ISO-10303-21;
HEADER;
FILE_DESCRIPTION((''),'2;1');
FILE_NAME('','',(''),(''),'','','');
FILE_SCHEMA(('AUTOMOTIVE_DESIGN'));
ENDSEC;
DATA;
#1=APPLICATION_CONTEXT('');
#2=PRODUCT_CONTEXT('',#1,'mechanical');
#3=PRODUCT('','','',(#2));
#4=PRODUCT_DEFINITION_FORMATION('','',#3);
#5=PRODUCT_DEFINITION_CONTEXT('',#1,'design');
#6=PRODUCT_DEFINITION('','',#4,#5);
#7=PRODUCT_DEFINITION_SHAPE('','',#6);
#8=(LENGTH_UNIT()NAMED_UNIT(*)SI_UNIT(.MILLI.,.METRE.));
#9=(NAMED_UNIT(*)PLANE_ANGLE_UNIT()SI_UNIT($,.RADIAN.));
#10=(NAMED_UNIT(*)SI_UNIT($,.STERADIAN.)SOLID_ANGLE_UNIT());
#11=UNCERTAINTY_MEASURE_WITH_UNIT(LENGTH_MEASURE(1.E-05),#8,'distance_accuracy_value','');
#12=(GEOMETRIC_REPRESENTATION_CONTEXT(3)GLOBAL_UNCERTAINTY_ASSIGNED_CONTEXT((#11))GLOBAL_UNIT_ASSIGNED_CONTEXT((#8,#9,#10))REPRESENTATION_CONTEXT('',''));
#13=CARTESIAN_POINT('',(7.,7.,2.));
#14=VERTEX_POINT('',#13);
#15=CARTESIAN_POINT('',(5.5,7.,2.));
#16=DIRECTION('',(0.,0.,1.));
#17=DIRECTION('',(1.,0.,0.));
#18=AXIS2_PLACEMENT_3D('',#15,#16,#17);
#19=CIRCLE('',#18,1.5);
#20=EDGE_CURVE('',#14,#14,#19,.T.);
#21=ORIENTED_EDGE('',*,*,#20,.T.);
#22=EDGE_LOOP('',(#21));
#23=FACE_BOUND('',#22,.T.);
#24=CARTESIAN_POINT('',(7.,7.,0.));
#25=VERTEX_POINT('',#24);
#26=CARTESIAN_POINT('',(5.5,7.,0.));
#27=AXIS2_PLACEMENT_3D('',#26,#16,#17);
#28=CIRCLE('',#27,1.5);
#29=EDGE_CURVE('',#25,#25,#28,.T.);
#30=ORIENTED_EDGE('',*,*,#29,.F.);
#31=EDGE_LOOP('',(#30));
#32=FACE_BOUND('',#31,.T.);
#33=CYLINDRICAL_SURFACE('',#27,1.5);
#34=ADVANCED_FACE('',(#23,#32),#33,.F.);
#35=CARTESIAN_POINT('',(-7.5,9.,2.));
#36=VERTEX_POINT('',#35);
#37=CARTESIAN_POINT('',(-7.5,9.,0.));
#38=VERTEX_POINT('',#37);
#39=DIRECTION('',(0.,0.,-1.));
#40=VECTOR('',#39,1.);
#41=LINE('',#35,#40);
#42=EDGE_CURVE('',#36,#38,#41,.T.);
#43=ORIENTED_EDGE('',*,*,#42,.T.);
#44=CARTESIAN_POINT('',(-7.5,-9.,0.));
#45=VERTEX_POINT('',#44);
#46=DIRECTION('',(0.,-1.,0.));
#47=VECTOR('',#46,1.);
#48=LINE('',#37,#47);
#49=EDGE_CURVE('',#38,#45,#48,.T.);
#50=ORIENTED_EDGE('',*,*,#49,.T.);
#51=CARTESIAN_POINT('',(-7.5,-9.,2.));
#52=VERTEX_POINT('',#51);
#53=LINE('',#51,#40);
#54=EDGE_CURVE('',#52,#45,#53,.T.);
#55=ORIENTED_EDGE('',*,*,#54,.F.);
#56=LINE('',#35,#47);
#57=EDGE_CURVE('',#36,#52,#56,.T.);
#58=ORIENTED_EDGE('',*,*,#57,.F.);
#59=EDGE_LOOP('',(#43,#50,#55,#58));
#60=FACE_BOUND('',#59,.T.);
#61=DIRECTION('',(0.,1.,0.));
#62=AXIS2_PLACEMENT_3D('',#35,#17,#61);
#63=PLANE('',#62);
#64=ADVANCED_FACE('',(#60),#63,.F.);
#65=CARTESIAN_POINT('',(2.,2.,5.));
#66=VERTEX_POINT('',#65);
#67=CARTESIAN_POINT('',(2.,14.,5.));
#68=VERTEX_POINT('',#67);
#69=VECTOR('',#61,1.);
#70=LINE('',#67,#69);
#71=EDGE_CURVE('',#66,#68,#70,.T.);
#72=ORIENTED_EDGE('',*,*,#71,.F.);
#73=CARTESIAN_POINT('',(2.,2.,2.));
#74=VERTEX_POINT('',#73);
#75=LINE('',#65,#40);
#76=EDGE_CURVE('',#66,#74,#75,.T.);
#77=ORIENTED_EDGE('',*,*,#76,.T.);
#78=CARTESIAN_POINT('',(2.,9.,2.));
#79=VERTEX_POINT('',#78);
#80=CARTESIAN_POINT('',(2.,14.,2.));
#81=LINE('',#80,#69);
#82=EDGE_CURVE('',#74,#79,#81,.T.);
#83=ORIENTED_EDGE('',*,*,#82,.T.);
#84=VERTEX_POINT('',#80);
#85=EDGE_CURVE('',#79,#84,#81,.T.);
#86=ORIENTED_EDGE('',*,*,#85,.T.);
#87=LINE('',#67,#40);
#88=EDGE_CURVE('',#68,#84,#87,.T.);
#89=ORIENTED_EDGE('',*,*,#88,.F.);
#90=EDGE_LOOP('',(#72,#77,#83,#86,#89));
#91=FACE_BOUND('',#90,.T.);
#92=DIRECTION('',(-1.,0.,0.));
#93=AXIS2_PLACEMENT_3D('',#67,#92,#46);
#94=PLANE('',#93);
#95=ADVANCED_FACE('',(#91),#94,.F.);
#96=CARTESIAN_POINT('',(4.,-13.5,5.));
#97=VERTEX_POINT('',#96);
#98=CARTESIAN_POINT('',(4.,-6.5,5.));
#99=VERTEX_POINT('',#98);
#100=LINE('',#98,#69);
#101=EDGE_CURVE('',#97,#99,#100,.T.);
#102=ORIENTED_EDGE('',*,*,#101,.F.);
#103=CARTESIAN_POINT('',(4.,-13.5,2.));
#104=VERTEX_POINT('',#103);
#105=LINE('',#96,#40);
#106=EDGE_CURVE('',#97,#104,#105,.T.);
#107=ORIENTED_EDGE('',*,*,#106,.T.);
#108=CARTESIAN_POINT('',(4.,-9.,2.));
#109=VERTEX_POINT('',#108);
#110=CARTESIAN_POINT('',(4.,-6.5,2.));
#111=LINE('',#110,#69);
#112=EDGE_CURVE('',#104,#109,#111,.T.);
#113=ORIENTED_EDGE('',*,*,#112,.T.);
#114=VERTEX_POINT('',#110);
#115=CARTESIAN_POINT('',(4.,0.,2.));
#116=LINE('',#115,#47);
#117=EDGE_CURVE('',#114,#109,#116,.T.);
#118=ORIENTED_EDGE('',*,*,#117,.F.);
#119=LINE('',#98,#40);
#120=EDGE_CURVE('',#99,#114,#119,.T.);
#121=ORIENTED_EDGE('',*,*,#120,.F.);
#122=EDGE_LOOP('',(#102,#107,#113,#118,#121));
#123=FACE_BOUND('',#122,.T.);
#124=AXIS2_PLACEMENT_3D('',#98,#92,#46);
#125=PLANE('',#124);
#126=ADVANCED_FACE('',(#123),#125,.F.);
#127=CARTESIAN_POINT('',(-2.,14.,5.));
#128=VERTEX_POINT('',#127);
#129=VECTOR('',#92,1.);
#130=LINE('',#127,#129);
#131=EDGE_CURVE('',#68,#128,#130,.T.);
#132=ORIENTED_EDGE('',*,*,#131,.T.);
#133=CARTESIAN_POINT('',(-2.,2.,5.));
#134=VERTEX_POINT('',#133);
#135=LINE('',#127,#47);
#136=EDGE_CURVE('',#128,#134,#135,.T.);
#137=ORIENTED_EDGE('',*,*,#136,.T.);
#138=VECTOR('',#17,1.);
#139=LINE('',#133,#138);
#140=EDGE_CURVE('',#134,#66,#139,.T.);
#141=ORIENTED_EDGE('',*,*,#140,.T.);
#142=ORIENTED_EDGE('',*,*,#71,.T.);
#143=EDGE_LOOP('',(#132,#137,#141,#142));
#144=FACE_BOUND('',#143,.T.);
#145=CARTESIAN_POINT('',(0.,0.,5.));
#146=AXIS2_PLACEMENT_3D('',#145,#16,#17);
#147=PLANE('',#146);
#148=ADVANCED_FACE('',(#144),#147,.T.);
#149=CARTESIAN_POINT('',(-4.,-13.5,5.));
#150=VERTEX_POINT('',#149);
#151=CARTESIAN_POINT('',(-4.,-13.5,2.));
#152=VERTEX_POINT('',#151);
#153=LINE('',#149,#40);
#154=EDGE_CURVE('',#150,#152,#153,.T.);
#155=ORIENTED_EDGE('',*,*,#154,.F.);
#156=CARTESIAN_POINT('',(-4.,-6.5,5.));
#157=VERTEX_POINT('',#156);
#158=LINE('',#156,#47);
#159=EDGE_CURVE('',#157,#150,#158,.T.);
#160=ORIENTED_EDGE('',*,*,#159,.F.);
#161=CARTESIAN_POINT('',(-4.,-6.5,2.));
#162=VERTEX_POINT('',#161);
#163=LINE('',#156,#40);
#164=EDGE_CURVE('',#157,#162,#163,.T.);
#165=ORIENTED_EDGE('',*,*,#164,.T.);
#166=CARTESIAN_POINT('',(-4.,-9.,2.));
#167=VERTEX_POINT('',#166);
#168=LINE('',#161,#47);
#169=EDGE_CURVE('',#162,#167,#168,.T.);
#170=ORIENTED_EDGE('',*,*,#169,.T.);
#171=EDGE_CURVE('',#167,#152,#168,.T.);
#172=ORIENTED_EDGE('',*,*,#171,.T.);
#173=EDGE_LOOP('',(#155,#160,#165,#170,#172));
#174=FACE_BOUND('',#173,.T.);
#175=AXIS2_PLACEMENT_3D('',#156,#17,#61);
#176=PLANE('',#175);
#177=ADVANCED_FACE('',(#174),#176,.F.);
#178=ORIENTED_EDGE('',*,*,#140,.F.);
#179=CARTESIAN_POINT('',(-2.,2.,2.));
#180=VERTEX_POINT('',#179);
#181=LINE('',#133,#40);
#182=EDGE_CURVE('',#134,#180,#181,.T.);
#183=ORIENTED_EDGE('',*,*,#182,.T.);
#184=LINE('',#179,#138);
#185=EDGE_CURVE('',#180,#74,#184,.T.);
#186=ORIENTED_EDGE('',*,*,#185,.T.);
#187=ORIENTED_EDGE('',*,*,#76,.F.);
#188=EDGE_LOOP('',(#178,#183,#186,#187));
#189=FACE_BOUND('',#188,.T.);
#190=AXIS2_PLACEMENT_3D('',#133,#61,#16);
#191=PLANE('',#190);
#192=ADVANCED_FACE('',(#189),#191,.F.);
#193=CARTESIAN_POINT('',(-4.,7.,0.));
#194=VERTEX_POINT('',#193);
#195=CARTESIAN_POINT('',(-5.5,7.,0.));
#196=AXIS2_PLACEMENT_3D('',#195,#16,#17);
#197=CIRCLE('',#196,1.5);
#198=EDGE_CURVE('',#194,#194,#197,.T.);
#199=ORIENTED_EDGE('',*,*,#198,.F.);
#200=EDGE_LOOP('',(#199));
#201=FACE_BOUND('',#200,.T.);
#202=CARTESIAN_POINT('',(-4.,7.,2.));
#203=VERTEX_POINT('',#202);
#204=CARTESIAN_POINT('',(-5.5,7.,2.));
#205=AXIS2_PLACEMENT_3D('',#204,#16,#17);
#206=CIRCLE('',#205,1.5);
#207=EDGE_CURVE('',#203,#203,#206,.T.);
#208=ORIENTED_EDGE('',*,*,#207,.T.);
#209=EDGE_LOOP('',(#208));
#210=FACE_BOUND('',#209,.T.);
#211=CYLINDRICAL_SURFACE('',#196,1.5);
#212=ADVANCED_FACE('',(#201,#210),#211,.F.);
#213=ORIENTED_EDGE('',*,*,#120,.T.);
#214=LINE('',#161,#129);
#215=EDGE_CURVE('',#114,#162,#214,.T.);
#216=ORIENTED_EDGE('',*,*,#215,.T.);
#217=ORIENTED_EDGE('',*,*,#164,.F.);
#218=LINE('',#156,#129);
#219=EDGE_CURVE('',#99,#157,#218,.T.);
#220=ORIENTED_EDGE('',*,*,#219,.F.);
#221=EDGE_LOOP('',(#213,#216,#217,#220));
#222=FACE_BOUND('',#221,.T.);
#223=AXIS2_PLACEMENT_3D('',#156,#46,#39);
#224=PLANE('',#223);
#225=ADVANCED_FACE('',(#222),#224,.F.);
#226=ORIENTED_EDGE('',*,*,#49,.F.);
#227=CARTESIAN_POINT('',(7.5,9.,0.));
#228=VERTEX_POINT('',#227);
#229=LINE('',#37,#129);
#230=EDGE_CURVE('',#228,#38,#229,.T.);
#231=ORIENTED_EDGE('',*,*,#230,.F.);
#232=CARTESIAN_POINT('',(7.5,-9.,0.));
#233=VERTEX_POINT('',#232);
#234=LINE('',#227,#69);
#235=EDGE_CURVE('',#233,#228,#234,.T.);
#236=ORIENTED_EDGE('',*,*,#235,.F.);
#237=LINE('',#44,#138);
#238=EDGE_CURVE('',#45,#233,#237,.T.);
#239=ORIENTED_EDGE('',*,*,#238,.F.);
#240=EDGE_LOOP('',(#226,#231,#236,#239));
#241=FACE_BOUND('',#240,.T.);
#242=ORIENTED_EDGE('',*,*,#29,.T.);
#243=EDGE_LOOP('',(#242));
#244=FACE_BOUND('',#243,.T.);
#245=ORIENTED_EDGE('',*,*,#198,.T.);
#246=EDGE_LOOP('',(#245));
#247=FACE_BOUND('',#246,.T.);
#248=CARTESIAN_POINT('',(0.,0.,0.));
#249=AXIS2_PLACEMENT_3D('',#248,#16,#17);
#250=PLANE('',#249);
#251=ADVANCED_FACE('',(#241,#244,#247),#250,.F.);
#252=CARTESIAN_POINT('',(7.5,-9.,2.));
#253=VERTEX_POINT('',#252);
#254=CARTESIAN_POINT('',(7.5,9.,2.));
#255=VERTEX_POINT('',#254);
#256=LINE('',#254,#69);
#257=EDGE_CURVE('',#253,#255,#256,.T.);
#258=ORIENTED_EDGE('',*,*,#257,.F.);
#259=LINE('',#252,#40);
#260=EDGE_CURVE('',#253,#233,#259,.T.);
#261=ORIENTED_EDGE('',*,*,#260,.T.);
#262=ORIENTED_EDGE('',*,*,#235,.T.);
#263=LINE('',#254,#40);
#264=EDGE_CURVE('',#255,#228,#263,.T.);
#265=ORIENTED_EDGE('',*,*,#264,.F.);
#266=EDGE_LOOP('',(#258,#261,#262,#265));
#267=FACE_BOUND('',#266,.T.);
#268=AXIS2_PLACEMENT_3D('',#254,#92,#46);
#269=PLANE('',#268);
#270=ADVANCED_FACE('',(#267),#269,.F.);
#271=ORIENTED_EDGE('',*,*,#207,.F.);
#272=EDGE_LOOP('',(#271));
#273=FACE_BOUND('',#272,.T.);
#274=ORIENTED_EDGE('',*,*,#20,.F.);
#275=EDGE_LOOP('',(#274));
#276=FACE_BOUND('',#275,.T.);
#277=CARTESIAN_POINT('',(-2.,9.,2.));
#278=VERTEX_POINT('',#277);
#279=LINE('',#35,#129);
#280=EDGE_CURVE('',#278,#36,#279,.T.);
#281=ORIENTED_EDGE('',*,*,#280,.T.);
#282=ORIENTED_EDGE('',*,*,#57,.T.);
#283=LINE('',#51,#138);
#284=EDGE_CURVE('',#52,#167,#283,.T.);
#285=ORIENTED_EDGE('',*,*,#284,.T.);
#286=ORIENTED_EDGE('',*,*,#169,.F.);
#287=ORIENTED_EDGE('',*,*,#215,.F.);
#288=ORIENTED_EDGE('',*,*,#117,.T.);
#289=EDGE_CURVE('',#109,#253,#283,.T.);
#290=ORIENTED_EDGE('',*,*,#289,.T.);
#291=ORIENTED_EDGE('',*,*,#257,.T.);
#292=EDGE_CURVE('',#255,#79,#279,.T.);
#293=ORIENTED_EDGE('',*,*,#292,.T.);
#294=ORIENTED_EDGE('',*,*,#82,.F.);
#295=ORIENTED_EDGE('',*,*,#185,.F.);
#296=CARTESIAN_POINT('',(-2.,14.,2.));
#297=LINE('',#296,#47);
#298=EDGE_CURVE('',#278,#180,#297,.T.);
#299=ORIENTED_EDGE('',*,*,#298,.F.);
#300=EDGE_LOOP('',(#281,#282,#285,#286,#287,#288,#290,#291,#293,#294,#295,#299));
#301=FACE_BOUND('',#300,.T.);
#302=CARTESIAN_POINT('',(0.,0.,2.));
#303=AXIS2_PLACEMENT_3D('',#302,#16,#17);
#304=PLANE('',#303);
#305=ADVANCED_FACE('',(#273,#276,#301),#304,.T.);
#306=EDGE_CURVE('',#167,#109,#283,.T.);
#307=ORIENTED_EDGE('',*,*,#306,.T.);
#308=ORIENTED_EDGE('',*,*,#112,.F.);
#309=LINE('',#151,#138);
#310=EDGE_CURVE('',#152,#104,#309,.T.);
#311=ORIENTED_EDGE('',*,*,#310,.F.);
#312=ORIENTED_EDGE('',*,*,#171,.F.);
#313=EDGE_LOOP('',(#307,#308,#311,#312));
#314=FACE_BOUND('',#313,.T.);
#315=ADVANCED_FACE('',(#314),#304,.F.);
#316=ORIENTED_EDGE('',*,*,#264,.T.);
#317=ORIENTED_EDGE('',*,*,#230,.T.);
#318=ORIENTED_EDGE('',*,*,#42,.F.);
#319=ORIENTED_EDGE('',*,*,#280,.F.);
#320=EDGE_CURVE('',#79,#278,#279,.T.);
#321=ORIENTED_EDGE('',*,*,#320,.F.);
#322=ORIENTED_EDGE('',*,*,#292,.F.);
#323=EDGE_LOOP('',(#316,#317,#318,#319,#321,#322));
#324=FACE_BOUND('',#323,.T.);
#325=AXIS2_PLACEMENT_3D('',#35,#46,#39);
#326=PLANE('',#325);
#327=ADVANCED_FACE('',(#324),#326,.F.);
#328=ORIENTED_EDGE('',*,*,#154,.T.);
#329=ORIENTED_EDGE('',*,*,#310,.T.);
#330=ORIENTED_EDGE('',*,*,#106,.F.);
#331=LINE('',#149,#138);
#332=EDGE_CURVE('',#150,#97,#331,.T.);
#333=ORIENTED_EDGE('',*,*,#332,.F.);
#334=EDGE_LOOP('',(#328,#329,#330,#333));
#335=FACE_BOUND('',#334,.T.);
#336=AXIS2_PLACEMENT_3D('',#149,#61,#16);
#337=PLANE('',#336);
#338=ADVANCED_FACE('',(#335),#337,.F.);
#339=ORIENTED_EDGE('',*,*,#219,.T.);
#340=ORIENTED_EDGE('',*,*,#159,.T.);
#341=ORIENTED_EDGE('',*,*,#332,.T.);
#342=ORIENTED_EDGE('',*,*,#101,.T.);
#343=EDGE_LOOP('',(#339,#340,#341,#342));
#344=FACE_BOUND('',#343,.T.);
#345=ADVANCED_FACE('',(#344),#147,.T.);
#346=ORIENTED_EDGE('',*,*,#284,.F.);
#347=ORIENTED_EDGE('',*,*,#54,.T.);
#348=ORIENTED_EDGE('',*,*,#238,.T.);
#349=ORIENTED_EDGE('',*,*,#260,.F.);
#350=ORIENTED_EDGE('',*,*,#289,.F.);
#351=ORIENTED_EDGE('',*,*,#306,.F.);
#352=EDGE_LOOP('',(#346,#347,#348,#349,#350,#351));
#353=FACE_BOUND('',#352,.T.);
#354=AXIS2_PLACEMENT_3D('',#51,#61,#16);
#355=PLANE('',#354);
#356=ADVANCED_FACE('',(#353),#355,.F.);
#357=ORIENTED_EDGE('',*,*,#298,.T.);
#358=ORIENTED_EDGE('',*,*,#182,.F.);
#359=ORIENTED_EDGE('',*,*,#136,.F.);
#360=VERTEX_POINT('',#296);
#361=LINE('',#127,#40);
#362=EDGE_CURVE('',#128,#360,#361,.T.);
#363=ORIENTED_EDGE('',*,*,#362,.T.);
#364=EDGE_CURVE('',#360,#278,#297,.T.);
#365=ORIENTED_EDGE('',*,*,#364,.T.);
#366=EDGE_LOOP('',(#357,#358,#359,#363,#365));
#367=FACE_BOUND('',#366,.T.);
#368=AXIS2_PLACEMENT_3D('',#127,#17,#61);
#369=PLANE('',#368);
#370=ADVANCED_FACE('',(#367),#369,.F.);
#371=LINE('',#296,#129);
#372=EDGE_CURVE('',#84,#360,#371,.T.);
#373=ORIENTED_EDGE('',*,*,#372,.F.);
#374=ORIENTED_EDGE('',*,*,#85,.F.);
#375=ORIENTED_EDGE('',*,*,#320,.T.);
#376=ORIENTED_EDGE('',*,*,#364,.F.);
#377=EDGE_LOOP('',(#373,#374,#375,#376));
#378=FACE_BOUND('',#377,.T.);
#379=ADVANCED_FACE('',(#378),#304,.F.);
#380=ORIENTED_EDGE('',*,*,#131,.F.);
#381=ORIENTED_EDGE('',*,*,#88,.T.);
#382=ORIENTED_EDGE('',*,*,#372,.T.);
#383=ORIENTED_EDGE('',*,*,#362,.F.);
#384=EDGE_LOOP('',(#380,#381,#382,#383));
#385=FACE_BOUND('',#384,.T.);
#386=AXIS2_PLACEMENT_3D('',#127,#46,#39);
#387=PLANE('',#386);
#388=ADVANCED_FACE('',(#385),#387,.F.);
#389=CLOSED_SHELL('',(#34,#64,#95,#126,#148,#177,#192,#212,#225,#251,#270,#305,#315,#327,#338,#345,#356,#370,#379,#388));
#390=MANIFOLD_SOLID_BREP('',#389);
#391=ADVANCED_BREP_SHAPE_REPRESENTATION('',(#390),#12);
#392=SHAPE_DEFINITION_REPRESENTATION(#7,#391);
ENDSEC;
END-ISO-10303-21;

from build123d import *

# Parameters (mm, degrees)
CROQUIS1_W              = 15
CROQUIS1_H              = 18
SALIENTE_EXTRUIR1_DEPTH = 2
CROQUIS2_R              = 1.5
CORTAR_EXTRUIR1_DEPTH   = 12.884864324
CROQUIS3_W              = 4
CROQUIS3_H              = 12
SALIENTE_EXTRUIR2_DEPTH = 3
CROQUIS4_W              = 8
CROQUIS4_H              = 7
SALIENTE_EXTRUIR3_DEPTH = 3


with BuildPart() as part:
    # Croquis1 → Saliente-Extruir1 (new body)
    with BuildSketch(Plane.XY):
        Rectangle(CROQUIS1_W, CROQUIS1_H)
    extrude(amount=SALIENTE_EXTRUIR1_DEPTH)

    # Croquis2 → Cortar-Extruir1 (cut, through all)
    with BuildSketch(Plane.XY.offset(2)):
        with Locations((-5.5, 7)):
            Circle(CROQUIS2_R)
        with Locations((5.5, 7)):
            Circle(CROQUIS2_R)
    extrude(amount=-CORTAR_EXTRUIR1_DEPTH, mode=Mode.SUBTRACT)

    # Croquis3 → Saliente-Extruir2 (add)
    with BuildSketch(Plane.XY.offset(2)):
        with Locations((0, 8)):
            Rectangle(CROQUIS3_W, CROQUIS3_H)
    extrude(amount=SALIENTE_EXTRUIR2_DEPTH)

    # Croquis4 → Saliente-Extruir3 (add)
    with BuildSketch(Plane.XY.offset(2)):
        with Locations((0, -10)):
            Rectangle(CROQUIS4_W, CROQUIS4_H)
    extrude(amount=SALIENTE_EXTRUIR3_DEPTH)


solid = part.part
